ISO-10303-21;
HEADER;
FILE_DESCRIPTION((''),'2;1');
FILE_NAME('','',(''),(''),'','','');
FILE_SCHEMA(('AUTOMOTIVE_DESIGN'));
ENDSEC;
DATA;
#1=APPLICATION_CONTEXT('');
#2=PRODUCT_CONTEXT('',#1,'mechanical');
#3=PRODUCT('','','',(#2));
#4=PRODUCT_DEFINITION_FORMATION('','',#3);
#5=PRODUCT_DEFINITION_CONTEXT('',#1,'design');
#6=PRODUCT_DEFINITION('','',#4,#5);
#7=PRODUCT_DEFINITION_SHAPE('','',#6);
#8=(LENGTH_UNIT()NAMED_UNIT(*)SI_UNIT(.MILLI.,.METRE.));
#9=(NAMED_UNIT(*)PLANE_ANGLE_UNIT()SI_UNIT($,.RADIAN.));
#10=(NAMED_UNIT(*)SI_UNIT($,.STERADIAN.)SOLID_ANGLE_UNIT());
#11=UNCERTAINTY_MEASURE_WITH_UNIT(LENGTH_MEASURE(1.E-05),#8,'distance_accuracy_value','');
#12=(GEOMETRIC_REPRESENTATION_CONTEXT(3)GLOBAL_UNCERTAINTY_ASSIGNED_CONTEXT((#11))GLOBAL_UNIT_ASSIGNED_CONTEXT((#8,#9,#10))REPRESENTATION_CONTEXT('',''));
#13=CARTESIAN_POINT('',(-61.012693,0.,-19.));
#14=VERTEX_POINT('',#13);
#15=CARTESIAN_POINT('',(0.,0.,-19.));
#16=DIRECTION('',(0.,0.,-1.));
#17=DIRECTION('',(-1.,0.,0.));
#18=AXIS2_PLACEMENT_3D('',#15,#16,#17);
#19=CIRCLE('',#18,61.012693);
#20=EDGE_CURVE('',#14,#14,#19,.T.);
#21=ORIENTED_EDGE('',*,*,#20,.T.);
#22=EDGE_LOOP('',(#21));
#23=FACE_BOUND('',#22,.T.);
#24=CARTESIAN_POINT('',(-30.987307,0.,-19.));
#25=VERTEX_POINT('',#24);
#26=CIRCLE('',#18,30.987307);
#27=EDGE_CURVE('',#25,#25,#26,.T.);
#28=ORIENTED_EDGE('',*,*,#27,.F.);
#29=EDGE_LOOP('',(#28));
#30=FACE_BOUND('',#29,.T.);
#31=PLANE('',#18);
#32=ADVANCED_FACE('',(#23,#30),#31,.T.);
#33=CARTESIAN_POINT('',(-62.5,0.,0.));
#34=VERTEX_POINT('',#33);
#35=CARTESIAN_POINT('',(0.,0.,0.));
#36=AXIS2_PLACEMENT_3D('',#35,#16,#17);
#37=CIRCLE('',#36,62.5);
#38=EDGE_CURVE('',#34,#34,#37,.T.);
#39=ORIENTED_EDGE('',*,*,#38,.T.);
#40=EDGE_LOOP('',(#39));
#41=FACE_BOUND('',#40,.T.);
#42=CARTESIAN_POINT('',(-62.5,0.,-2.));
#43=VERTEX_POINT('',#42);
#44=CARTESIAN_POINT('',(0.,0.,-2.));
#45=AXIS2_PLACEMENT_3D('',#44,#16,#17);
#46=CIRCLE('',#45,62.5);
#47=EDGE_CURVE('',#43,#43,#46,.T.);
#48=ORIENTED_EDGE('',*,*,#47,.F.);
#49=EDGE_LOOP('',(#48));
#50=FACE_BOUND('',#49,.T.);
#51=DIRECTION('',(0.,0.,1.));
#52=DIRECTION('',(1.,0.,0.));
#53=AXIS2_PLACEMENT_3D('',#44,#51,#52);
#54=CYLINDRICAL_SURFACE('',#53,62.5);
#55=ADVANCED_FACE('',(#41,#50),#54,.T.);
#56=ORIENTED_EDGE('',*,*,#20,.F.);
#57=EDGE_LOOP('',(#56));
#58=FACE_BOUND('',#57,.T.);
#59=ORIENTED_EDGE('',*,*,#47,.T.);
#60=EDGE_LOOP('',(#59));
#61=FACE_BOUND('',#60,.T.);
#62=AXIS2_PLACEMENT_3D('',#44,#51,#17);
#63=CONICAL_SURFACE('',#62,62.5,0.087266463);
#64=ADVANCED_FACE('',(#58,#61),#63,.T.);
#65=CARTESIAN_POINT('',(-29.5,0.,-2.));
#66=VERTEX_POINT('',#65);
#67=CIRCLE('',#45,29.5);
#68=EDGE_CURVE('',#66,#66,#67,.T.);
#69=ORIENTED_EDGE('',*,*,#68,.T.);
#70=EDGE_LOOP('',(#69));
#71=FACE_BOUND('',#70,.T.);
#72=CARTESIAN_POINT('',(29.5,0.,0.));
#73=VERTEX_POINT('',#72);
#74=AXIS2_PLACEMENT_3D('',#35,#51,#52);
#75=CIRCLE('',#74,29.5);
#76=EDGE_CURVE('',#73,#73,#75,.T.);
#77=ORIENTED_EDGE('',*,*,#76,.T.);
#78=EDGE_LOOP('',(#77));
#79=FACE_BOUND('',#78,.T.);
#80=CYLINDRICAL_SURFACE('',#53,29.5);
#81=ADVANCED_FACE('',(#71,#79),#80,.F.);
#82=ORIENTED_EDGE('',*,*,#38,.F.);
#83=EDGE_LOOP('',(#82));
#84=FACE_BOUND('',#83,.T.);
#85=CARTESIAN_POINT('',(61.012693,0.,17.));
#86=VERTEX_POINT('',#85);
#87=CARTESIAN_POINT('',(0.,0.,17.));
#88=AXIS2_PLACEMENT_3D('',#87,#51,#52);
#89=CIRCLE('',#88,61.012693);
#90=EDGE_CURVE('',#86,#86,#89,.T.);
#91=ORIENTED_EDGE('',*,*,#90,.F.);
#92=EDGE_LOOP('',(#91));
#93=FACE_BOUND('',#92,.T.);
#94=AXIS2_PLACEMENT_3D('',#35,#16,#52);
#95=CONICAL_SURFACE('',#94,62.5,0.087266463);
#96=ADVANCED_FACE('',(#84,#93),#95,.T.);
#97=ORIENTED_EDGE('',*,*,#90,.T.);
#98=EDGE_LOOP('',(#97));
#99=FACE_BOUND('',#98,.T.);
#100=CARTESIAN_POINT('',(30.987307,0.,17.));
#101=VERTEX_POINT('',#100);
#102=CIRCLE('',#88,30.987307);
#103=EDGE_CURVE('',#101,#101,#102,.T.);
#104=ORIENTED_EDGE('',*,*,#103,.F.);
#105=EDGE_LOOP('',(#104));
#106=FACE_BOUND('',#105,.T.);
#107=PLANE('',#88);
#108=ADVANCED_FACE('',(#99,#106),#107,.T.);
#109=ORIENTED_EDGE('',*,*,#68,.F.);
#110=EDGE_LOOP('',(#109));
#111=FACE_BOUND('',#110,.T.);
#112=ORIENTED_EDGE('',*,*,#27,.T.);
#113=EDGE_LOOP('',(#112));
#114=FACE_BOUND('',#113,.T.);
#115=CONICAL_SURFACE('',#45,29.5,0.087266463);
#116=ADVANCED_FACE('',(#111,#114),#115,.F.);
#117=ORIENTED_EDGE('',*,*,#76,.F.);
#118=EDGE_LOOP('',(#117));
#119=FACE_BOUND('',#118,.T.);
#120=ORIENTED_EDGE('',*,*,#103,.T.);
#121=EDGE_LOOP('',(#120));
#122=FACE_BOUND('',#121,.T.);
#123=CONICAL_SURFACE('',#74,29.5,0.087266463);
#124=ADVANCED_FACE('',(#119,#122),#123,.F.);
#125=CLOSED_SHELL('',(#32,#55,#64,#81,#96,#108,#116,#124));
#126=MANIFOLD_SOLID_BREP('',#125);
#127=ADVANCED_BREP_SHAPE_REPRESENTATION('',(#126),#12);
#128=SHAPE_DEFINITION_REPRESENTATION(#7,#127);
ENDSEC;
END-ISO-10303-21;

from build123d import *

# Parameters (mm, degrees)
SKETCH_1_R      = 62.5
SKETCH_1_R_2    = 29.5
EXTRUDE_1_DEPTH = 17
EXTRUDE_1_DRAFT = 5
SKETCH_2_R      = 62.5
SKETCH_2_R_2    = 29.5
EXTRUDE_2_DEPTH = 2
SKETCH_3_R      = 62.5
SKETCH_3_R_2    = 29.5
EXTRUDE_3_DEPTH = 17
EXTRUDE_3_DRAFT = 5


with BuildPart() as part:
    # Эскиз1 → Вытянуть1 (with draft: the straight prism first)
    with BuildSketch(Plane.XY):
        Circle(SKETCH_1_R)
        Circle(SKETCH_1_R_2, mode=Mode.SUBTRACT)
    extrude(amount=EXTRUDE_1_DEPTH)
    # Вытянуть1: the draft: its side faces are tilted about the plane it starts from
    extrude_1_sides = [part.faces().sort_by_distance(p)[0] for p in [
        (-62.5, 0, 8.5),
        (-29.5, 0, 8.5),
    ]]
    draft(extrude_1_sides, Plane.XY, EXTRUDE_1_DRAFT)

    # Эскиз2 → Вытянуть2 (add)
    with BuildSketch(Plane(origin=(0, 0, 0), x_dir=(-1, 0, 0), z_dir=(0, 0, -1))):
        Circle(SKETCH_2_R)
        with Locations(Location((0, 0, 0), (0, 0, 180))):
            Circle(SKETCH_2_R_2, mode=Mode.SUBTRACT)
    extrude(amount=EXTRUDE_2_DEPTH)


with BuildPart() as extrude_3_tool:
    # Эскиз3 → Вытянуть3 (with draft: the straight prism first)
    with BuildSketch(Plane(origin=(0, 0, -2), x_dir=(-1, 0, 0), z_dir=(0, 0, -1))):
        Circle(SKETCH_3_R)
        with Locations(Location((0, 0, 0), (0, 0, 180))):
            Circle(SKETCH_3_R_2, mode=Mode.SUBTRACT)
    extrude(amount=EXTRUDE_3_DEPTH)
    # Вытянуть3: the draft: its side faces are tilted about the plane it starts from
    extrude_3_sides = [extrude_3_tool.faces().sort_by_distance(p)[0] for p in [
        (62.5, 0, -10.5),
        (-29.5, 0, -10.5),
    ]]
    draft(extrude_3_sides, Plane(origin=(0, 0, -2), x_dir=(-1, 0, 0), z_dir=(0, 0, -1)), EXTRUDE_3_DRAFT)


with BuildPart() as part_1:
    add(part.part)

    # Вытянуть3: add extrude_3_tool
    add(extrude_3_tool.part)


solid = part_1.part
